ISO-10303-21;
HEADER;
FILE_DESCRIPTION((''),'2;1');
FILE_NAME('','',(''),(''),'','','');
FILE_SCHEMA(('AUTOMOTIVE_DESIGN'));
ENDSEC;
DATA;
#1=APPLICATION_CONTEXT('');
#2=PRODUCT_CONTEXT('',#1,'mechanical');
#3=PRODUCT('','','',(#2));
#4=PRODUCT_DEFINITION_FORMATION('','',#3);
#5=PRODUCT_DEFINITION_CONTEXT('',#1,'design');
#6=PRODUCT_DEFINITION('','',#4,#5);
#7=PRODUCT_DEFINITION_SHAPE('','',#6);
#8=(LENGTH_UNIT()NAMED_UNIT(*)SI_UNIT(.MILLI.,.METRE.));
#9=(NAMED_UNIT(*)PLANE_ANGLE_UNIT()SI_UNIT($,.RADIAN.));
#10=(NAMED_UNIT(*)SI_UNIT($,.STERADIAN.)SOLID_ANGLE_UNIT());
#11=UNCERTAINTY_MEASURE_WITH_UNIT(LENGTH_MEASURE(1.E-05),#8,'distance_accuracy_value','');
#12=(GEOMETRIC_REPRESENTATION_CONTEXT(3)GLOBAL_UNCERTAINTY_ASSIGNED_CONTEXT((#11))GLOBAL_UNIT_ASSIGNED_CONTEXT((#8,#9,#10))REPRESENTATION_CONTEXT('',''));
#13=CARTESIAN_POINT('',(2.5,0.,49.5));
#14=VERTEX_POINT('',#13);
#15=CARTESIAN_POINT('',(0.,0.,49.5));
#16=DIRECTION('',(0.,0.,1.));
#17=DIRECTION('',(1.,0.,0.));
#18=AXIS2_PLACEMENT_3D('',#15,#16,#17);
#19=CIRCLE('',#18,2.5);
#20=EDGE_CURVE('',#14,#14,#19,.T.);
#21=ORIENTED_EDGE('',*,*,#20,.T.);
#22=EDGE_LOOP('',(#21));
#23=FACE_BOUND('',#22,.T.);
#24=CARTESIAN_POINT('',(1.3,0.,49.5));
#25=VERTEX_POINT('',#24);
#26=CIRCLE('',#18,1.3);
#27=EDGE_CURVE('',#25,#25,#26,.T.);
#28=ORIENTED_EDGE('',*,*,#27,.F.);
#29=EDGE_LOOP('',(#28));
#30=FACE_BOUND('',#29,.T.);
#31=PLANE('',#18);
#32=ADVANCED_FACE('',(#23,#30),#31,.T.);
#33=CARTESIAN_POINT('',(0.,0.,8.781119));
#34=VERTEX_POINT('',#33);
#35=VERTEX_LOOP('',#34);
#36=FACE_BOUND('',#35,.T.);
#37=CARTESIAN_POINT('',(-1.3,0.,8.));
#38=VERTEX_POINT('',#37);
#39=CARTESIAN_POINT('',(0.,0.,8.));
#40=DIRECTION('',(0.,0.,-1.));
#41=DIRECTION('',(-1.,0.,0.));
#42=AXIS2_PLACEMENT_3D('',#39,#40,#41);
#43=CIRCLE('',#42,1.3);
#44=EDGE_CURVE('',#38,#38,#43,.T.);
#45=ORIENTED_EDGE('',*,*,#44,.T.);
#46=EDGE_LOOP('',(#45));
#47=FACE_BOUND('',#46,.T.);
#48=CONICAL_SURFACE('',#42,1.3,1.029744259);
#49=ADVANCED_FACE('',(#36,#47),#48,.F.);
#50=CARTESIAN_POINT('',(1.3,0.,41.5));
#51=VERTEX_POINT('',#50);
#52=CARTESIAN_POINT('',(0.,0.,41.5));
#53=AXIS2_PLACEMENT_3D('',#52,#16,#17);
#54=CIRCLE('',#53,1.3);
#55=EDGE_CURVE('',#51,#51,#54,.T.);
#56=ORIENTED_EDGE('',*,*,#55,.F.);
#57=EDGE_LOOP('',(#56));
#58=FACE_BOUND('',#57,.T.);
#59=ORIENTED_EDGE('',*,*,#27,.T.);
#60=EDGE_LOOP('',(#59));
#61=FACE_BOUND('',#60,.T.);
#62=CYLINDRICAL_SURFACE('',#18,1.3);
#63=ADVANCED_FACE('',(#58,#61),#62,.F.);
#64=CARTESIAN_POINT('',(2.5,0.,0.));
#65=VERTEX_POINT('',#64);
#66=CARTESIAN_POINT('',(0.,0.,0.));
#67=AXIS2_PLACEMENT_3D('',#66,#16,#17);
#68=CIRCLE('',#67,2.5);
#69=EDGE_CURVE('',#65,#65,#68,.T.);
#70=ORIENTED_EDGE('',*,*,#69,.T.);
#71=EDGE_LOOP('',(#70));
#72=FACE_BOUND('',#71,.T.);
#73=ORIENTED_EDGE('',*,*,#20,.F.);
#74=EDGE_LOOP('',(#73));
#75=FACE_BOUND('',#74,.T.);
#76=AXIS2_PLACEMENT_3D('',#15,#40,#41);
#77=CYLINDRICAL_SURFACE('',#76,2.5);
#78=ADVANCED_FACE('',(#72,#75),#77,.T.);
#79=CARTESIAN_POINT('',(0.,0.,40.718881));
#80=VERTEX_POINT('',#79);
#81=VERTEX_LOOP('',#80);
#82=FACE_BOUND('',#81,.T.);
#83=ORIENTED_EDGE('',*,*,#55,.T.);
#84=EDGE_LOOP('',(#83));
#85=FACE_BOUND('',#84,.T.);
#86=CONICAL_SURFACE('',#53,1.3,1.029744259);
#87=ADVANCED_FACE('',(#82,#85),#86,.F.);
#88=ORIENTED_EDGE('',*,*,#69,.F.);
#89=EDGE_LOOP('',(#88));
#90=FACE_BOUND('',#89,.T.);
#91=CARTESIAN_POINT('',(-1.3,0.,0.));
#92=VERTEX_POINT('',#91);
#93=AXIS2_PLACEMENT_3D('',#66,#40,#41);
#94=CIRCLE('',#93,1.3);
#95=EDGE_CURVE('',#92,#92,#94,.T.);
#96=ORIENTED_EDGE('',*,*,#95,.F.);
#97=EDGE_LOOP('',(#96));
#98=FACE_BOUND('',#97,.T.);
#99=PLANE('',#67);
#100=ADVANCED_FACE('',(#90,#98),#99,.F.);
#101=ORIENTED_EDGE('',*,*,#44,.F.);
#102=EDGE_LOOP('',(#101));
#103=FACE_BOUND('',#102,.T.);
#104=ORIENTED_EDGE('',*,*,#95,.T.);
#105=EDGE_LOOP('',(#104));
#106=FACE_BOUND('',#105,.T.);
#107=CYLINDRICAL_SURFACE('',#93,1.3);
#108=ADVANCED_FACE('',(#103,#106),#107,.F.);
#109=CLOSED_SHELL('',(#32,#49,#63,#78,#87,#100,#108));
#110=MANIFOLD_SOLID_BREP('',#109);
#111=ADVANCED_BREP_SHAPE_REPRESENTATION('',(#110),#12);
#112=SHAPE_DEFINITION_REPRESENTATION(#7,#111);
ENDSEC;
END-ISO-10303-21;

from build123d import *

# Parameters (mm, degrees)
SKETCH1_R                 = 2.5
BOSS_EXTRUDE1_DEPTH       = 49.5
M3X0_5_TAPPED_HOLE1_D     = 2.6
M3X0_5_TAPPED_HOLE1_DEPTH = 8
M3X0_5_TAPPED_HOLE1_TIP   = 0.781118805
M3X0_5_TAPPED_HOLE2_D     = 2.6
M3X0_5_TAPPED_HOLE2_DEPTH = 8
M3X0_5_TAPPED_HOLE2_TIP   = 0.781118805


with BuildPart() as part:
    # Sketch1 → Boss-Extrude1 (new body)
    with BuildSketch(Plane.XY):
        Circle(SKETCH1_R)
    extrude(amount=BOSS_EXTRUDE1_DEPTH)

    # M3x0.5 Tapped Hole1
    with Locations(Plane.XY.offset(49.5)):
        with Locations((0, 0)):
            Hole(M3X0_5_TAPPED_HOLE1_D / 2, depth=M3X0_5_TAPPED_HOLE1_DEPTH)
            with Locations((0, 0, -(M3X0_5_TAPPED_HOLE1_DEPTH + M3X0_5_TAPPED_HOLE1_TIP / 2))):  # 118° drill point
                Cone(0, M3X0_5_TAPPED_HOLE1_D / 2, M3X0_5_TAPPED_HOLE1_TIP, mode=Mode.SUBTRACT)

    # M3x0.5 Tapped Hole2
    with Locations(Plane(origin=(0, 0, 0), x_dir=(-1, 0, 0), z_dir=(0, 0, -1))):
        with Locations((0, 0)):
            Hole(M3X0_5_TAPPED_HOLE2_D / 2, depth=M3X0_5_TAPPED_HOLE2_DEPTH)
            with Locations((0, 0, -(M3X0_5_TAPPED_HOLE2_DEPTH + M3X0_5_TAPPED_HOLE2_TIP / 2))):  # 118° drill point
                Cone(0, M3X0_5_TAPPED_HOLE2_D / 2, M3X0_5_TAPPED_HOLE2_TIP, mode=Mode.SUBTRACT)


solid = part.part
